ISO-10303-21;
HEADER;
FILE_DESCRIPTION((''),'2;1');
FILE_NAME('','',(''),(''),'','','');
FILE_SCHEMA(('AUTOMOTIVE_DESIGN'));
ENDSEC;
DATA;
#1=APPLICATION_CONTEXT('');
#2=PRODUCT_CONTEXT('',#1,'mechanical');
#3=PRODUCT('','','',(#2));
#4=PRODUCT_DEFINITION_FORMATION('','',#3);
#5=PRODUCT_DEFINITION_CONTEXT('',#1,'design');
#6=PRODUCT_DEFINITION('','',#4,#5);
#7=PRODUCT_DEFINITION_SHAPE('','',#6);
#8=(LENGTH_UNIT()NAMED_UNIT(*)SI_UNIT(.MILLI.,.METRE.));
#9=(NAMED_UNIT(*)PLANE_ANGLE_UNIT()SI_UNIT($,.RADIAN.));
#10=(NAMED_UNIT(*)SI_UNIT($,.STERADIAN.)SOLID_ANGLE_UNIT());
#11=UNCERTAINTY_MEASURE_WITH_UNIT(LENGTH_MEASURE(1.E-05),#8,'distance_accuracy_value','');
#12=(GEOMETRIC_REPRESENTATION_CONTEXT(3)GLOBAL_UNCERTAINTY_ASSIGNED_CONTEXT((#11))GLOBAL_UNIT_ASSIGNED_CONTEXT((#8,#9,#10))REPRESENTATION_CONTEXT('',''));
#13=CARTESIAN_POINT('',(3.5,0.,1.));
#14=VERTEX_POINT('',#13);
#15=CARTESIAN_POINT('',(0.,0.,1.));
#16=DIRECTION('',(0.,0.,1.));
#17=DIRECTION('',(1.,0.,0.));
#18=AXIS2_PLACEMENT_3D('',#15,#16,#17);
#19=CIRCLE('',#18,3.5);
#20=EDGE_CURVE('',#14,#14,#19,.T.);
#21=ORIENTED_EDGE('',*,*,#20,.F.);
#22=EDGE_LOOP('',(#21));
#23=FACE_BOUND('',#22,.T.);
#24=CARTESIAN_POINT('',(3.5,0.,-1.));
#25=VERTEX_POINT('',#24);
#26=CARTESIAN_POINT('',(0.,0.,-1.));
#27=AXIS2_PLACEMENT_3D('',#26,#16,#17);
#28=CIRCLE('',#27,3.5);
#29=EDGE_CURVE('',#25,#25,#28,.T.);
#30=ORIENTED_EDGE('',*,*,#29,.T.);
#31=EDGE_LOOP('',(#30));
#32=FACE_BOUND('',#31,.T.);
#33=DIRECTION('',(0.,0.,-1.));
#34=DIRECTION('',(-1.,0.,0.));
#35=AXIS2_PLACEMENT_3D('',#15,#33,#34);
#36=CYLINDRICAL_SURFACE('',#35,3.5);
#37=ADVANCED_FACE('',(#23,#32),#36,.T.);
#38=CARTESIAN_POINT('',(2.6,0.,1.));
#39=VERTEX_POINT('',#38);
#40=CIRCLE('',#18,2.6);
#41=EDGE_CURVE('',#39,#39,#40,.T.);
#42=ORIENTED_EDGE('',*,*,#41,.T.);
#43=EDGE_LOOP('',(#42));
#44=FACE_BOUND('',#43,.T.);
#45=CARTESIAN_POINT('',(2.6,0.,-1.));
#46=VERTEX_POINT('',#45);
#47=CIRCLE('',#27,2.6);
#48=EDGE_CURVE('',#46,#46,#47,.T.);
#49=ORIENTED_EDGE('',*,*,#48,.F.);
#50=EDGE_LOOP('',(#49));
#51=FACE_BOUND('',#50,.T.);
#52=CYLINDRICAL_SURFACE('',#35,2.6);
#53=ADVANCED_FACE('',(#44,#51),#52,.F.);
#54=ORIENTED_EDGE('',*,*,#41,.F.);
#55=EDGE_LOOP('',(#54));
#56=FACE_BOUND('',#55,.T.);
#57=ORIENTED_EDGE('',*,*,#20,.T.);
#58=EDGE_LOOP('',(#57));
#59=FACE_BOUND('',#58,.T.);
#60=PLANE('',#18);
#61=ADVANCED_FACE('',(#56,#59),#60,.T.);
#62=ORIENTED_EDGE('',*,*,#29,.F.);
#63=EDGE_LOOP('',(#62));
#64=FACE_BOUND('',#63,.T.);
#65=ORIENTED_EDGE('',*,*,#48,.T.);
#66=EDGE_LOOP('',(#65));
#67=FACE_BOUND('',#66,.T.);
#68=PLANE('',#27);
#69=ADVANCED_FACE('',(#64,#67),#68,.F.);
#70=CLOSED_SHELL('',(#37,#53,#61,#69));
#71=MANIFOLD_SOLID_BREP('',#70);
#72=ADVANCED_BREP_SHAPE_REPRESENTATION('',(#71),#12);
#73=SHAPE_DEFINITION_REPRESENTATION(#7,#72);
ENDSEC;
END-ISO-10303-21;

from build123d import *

# Parameters (mm, degrees)
SKETCH_1_R      = 3.5
SKETCH_1_R_2    = 2.6
EXTRUDE_1_DEPTH = 1


with BuildPart() as part:
    # Эскиз1 → Бобышка-Вытянуть1 (new, symmetric)
    with BuildSketch(Plane.XY):
        Circle(SKETCH_1_R)
        Circle(SKETCH_1_R_2, mode=Mode.SUBTRACT)
    extrude(amount=EXTRUDE_1_DEPTH, both=True)


solid = part.part
